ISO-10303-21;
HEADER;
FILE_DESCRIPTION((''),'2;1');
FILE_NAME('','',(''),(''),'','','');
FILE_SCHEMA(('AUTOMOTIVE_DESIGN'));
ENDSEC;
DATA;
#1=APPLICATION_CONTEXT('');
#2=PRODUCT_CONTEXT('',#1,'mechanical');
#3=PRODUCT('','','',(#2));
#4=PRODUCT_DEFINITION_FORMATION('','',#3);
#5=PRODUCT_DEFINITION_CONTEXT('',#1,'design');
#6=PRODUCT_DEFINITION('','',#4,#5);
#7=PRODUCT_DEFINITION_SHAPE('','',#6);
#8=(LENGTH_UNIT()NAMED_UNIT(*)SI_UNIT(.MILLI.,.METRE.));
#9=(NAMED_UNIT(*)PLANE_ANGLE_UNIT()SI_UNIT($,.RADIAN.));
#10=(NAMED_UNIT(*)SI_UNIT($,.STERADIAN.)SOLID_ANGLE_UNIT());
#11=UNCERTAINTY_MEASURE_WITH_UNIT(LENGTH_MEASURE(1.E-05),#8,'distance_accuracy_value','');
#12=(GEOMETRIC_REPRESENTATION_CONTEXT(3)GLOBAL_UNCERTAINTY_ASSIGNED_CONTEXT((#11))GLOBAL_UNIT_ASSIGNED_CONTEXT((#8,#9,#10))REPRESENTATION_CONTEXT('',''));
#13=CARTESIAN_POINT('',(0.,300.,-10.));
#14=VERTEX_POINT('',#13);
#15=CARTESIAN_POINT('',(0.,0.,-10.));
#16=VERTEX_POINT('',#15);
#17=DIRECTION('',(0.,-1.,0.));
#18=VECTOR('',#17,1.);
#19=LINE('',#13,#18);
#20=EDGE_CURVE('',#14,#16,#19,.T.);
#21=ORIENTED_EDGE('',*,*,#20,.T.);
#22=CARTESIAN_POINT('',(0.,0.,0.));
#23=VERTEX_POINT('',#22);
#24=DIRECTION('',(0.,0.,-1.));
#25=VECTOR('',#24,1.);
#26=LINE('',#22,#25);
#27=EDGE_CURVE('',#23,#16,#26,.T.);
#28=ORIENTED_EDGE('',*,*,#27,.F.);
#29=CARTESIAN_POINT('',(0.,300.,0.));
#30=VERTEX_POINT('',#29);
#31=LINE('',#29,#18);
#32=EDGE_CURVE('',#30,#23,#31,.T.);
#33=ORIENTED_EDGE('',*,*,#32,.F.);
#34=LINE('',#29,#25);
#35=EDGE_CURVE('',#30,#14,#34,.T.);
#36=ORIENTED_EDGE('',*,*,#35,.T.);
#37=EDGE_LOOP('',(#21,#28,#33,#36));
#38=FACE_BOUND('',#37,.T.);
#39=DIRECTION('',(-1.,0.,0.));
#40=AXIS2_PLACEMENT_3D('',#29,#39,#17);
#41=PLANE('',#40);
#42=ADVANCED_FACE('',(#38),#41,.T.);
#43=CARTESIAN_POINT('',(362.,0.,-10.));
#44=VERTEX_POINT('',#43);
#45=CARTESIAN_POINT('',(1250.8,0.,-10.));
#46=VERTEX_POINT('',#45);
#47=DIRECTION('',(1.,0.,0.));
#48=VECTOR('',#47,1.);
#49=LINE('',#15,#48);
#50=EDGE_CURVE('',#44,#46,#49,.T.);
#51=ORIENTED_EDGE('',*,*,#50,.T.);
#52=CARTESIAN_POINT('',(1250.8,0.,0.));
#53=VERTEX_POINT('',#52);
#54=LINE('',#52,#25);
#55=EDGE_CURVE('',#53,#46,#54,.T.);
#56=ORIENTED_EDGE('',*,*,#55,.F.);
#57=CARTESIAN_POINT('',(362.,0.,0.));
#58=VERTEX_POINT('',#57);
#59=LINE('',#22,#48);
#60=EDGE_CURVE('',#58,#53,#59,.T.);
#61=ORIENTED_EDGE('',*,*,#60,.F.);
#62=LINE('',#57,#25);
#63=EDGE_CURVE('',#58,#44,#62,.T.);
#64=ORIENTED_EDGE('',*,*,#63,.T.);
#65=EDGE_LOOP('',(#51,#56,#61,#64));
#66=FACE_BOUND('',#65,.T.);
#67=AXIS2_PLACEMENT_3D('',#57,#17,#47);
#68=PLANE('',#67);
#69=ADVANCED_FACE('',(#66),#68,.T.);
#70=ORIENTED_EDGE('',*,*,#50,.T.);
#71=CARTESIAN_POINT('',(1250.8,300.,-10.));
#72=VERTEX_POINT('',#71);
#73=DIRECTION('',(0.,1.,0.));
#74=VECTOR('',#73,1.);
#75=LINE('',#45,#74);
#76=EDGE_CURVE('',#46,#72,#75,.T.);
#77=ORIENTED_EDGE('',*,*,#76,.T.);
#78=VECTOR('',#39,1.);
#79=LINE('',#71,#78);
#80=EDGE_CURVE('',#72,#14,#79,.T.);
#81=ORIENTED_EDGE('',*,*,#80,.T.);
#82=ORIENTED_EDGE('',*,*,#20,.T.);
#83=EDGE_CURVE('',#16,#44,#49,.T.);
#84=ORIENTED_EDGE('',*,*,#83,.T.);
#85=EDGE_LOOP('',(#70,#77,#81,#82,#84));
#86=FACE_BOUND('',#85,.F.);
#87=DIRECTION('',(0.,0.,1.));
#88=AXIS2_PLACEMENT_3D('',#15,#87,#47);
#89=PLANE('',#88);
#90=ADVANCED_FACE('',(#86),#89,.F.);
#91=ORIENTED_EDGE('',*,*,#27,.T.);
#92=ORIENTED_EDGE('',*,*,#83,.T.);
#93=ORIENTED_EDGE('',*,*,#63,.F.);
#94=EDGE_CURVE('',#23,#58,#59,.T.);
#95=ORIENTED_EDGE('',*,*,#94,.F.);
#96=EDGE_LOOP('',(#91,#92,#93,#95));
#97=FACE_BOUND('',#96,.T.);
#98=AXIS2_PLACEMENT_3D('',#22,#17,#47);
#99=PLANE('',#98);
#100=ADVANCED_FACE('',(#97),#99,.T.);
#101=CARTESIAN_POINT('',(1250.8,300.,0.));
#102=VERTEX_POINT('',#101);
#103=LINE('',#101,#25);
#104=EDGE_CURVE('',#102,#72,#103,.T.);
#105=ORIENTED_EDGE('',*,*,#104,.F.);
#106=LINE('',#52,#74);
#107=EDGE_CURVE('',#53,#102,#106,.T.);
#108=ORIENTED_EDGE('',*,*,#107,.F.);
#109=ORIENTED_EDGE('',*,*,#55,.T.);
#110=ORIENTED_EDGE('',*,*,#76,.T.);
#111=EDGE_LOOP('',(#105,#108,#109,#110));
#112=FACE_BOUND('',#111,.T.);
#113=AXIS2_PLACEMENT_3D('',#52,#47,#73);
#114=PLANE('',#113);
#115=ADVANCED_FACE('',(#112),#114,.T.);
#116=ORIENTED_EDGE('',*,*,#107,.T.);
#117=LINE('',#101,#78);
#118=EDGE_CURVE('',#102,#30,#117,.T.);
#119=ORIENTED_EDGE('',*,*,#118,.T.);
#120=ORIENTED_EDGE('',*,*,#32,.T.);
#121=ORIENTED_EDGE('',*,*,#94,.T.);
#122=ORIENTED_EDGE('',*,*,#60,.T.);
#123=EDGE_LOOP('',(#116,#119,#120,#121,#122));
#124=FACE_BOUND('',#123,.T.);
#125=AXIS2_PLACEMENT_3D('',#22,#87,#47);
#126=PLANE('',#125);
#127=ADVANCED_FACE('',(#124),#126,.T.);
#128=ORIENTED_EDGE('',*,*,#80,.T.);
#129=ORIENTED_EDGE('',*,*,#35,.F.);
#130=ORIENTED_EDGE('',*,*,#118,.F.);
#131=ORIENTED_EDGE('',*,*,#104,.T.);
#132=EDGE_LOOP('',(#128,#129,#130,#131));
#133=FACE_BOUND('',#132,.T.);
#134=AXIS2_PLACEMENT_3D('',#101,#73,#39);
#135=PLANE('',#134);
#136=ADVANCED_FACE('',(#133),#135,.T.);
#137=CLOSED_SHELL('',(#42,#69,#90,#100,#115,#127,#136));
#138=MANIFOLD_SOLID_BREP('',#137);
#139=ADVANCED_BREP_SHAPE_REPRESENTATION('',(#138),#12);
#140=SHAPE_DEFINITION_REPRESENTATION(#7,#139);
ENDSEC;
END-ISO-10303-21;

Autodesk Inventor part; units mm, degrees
ref_plane "YZ Plane" through (0, 0, 0) normal (1, 0, 0) x (0, 1, 0)
ref_plane "XZ Plane" through (0, 0, 0) normal (0, 1, 0) x (-1, 0, 0)
ref_plane "XY Plane" through (0, 0, 0) normal (0, 0, 1) x (1, 0, 0)
sketch "Sketch1" plane through (0, 0, 0) normal (0, 0, 1) x (1, 0, 0)
  line L0 (1250.8, 0) -> (1250.8, 300)
  line L1 (1250.8, 300) -> (0, 300)
  line L2 (0, 300) -> (0, 0)
  line L3 (0, 0) -> (362, 0)
  line L4 (0, 0) -> (1250.8, 0)
  dimension "d0" = 1250.8
  dimension "d1" = 300
extrude "Extrusion1" add sketch "Sketch1" against normal blind 10
properties part number "Acrilico2_Prensa" material "PMMA Plastic"
